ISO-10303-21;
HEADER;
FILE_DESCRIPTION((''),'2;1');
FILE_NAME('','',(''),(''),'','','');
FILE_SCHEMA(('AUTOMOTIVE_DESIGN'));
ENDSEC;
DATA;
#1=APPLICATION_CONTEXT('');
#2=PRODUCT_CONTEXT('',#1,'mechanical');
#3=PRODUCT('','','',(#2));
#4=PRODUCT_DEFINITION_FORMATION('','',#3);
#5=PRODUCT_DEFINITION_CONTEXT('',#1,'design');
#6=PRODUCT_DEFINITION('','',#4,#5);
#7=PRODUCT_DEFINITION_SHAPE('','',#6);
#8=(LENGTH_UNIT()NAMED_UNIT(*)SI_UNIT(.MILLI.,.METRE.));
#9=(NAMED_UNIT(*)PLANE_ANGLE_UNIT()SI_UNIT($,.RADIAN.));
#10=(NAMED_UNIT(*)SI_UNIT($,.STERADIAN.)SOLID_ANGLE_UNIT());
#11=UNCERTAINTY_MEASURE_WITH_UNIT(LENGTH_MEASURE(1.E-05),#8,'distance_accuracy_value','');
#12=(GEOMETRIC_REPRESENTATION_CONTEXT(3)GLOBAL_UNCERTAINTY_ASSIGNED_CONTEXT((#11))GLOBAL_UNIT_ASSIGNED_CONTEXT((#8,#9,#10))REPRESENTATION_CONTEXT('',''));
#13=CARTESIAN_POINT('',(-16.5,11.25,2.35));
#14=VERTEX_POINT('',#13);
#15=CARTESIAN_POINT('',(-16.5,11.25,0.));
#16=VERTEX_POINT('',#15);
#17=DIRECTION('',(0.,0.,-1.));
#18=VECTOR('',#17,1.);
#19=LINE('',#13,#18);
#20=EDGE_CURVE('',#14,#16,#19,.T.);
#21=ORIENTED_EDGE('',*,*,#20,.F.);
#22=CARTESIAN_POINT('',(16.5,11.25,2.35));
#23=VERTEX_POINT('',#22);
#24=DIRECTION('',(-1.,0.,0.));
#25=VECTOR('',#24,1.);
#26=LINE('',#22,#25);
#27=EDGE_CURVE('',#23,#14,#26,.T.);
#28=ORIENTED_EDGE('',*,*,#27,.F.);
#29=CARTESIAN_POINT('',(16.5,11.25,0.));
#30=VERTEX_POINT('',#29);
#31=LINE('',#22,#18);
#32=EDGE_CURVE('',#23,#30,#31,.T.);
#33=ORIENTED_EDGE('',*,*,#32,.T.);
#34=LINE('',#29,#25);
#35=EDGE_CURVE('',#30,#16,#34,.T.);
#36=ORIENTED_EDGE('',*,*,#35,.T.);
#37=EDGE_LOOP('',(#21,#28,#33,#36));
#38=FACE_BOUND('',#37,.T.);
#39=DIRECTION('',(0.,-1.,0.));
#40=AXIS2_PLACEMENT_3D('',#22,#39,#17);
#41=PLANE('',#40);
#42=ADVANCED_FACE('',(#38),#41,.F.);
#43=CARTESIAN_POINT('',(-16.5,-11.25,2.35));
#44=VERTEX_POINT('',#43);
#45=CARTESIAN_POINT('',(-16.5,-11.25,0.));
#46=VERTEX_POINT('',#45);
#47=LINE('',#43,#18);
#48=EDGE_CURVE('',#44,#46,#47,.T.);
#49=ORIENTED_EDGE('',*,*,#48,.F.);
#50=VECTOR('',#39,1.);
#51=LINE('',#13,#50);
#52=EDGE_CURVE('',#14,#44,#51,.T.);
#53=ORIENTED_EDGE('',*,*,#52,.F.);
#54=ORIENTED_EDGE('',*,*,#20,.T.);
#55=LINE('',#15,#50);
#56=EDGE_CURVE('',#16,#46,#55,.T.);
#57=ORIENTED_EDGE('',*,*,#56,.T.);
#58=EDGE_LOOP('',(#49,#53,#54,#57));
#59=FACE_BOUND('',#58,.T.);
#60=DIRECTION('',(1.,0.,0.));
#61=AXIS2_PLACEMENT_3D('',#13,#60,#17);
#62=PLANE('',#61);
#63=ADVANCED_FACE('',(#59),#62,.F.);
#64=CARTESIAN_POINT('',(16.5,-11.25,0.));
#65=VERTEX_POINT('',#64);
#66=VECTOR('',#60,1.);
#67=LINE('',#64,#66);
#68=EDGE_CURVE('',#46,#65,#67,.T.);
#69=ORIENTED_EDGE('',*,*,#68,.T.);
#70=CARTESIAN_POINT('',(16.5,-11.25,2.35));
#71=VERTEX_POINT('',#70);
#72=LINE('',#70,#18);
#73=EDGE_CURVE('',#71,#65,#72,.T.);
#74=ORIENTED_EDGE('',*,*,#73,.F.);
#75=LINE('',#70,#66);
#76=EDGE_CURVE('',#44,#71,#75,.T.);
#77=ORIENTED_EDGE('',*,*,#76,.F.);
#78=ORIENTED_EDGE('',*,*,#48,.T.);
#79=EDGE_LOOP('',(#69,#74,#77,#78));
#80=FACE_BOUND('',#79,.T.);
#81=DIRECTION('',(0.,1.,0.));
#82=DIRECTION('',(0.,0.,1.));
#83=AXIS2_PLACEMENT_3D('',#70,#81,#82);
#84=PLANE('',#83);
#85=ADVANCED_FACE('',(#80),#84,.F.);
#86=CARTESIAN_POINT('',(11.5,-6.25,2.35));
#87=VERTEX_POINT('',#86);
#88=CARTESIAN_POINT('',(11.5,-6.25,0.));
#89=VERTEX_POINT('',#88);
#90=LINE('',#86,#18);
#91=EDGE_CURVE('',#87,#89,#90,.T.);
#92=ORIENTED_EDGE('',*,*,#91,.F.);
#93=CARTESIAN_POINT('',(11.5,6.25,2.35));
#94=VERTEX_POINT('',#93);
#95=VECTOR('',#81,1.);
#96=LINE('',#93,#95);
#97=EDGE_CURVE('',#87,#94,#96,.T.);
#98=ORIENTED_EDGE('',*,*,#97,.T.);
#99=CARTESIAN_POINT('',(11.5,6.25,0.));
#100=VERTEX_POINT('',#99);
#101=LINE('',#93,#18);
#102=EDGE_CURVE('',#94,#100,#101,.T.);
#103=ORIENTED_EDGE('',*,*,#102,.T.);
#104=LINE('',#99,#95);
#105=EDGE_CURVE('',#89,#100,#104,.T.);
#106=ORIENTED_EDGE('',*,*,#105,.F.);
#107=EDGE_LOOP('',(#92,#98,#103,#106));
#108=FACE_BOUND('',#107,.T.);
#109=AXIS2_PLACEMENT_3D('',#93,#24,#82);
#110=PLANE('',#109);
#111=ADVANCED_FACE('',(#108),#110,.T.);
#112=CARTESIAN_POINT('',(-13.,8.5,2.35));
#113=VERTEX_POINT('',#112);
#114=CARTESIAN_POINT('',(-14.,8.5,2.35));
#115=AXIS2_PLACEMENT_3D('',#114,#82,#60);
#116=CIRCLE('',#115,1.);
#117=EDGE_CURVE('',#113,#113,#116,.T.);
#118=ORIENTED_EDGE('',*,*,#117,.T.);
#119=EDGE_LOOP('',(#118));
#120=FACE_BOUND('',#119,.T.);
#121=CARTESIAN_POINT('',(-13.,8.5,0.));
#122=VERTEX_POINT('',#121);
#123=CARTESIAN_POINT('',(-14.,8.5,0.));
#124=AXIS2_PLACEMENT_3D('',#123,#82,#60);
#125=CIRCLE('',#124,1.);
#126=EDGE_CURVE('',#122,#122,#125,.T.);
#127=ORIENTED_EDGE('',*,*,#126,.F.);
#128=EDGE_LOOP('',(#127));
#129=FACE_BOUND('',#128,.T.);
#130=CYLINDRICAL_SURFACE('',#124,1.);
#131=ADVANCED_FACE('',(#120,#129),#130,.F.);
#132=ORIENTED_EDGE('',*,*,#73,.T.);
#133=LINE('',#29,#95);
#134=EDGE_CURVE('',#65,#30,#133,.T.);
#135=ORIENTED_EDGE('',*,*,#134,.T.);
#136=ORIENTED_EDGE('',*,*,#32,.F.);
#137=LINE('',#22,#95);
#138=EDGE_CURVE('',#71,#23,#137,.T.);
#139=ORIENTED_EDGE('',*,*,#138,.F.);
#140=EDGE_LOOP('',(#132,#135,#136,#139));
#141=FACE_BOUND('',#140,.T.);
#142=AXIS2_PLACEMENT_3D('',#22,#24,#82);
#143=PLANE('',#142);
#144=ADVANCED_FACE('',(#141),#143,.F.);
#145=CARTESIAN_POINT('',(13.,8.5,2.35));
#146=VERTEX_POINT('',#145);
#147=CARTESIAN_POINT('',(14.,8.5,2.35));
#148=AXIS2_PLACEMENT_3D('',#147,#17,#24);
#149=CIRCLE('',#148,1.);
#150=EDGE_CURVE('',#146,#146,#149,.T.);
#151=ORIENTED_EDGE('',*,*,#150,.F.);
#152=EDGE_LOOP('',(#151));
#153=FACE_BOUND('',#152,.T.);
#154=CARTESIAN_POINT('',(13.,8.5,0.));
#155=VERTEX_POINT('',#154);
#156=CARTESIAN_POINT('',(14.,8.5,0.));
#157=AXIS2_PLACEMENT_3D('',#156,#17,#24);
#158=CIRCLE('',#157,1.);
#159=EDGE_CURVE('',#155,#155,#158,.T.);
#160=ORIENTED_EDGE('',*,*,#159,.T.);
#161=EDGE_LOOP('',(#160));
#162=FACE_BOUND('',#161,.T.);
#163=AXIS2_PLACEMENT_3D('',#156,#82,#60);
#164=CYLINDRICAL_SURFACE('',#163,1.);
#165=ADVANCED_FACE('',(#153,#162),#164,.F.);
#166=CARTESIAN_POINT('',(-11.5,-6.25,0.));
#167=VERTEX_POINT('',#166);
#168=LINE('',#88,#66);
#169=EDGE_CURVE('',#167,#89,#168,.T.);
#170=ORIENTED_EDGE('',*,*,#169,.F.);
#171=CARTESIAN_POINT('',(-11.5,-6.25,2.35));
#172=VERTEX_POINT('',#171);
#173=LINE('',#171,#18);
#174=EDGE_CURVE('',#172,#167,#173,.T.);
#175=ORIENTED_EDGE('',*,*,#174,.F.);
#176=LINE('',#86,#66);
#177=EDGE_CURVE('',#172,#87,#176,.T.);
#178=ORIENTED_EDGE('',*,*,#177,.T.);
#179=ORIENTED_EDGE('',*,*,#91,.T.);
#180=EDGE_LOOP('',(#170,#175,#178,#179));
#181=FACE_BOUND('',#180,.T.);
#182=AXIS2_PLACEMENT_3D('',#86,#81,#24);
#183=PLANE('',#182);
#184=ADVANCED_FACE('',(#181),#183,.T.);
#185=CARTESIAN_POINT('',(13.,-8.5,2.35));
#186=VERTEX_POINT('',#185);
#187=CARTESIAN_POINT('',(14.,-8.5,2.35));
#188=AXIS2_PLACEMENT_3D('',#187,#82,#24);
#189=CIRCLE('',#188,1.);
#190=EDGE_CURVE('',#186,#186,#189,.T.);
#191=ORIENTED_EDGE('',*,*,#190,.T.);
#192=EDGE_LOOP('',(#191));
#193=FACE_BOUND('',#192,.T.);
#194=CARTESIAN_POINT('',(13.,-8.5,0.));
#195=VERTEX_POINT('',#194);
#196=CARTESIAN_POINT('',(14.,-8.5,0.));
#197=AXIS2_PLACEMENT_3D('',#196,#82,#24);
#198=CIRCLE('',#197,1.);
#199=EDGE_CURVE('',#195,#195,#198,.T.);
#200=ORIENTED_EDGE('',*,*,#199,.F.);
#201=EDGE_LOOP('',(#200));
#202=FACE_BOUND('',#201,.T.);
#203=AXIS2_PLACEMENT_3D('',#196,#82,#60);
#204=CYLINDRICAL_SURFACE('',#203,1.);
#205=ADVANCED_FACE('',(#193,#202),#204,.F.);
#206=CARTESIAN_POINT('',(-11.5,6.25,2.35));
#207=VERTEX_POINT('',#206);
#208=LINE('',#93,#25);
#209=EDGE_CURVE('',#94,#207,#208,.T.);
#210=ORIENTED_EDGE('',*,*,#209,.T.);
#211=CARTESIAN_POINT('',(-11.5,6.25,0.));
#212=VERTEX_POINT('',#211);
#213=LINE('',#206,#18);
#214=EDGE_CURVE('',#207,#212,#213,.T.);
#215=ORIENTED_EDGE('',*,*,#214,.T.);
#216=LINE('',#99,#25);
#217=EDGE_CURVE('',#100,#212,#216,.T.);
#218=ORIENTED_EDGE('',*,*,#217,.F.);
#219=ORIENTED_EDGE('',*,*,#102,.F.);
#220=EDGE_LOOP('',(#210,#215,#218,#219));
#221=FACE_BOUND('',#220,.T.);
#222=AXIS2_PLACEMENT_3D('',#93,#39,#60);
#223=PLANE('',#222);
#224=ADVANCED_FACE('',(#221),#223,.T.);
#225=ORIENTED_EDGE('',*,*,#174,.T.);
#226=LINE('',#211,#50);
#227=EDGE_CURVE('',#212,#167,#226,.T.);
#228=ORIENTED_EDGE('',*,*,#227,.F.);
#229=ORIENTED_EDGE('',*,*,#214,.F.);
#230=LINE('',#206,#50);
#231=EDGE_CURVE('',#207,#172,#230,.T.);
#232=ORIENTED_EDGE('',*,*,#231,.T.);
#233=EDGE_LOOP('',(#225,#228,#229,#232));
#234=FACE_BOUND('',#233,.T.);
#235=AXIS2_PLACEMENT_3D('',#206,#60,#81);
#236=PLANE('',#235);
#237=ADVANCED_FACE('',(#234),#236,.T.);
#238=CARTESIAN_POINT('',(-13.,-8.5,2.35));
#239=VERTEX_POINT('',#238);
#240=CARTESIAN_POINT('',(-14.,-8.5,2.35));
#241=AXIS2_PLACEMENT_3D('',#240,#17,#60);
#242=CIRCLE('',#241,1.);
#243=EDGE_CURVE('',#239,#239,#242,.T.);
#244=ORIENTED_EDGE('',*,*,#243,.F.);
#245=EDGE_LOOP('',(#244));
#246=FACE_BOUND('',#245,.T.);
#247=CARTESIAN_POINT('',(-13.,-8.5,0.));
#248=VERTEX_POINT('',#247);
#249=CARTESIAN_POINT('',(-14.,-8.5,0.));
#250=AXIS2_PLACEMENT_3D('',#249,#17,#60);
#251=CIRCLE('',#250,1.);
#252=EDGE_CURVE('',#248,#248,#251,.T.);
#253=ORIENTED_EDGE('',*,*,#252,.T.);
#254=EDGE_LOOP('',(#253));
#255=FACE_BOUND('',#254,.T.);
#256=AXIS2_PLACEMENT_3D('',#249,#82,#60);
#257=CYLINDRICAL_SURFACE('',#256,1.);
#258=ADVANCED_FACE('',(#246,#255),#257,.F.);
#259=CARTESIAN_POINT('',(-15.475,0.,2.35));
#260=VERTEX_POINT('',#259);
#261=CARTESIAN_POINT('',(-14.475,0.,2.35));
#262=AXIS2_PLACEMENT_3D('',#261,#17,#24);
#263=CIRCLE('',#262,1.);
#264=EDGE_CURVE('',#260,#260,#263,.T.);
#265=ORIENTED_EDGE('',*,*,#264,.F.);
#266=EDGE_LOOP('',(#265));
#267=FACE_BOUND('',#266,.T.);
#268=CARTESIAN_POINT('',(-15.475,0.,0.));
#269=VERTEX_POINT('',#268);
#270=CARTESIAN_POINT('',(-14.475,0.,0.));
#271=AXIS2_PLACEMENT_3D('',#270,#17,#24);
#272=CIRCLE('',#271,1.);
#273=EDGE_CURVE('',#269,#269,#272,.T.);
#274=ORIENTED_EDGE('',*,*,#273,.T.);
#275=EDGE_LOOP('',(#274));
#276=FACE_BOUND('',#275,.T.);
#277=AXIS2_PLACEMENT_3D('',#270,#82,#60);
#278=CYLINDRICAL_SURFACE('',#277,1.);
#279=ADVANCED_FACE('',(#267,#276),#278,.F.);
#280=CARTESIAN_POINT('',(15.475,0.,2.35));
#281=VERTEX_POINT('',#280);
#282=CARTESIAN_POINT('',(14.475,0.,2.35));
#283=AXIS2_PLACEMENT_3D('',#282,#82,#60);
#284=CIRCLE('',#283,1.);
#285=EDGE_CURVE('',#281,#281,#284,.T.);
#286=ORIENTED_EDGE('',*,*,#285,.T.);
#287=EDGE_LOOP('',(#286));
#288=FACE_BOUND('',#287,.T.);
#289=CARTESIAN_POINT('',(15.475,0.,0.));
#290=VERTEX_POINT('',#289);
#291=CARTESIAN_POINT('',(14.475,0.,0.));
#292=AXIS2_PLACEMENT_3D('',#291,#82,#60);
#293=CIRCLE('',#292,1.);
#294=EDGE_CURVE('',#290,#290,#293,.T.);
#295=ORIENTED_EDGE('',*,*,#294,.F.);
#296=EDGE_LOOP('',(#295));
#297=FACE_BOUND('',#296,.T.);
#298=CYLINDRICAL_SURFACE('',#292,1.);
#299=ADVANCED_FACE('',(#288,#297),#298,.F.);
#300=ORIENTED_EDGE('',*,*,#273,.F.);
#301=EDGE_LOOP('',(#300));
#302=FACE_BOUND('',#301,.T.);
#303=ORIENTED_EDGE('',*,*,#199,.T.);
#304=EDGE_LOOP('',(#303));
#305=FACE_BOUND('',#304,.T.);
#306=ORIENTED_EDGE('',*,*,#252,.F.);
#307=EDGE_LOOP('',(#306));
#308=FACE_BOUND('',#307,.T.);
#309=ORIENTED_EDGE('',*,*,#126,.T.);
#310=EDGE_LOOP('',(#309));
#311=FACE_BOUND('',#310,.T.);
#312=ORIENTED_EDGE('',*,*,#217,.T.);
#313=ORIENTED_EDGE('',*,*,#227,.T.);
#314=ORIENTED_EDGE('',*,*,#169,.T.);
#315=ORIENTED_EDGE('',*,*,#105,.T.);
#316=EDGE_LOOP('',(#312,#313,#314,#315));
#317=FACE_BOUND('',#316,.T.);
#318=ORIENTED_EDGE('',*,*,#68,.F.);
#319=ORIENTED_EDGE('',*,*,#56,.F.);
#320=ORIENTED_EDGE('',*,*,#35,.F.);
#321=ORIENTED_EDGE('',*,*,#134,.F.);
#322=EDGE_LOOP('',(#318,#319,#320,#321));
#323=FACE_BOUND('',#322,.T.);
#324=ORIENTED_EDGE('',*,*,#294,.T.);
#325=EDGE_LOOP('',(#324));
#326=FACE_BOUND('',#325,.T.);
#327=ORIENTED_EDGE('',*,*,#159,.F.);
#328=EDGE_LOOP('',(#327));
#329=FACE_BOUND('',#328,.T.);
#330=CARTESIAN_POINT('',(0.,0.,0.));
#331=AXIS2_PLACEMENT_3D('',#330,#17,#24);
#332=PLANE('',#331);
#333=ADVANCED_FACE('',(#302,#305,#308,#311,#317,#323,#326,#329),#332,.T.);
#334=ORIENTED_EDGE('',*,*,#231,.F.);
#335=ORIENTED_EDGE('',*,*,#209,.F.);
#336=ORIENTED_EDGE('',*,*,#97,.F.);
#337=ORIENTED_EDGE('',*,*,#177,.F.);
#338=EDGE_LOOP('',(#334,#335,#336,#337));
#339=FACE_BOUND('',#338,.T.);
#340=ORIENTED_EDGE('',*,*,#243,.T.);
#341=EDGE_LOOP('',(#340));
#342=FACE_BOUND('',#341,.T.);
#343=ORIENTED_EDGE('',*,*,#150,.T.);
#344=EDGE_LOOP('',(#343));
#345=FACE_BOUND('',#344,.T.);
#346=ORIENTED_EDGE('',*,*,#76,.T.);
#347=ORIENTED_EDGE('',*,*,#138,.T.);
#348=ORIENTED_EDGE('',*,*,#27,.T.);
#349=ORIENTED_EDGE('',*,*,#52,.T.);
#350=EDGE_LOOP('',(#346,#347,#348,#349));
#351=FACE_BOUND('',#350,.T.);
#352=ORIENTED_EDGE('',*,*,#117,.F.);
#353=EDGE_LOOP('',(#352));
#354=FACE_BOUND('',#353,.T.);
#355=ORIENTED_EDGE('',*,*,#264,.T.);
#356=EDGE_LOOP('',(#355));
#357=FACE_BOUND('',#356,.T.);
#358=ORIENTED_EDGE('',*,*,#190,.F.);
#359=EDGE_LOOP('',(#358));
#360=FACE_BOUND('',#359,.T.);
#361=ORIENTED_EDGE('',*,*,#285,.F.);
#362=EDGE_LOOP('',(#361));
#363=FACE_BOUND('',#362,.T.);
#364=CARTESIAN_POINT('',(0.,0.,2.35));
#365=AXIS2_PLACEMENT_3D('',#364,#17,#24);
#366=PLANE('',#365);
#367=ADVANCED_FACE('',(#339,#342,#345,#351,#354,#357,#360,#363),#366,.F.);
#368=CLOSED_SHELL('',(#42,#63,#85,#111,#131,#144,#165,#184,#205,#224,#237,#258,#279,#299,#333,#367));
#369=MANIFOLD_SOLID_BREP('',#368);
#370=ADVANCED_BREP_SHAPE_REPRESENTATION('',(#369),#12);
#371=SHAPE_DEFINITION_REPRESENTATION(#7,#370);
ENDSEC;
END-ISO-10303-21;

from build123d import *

# Parameters (mm, degrees)
SCHIZZO1_W                   = 33
SCHIZZO1_H                   = 22.5
SCHIZZO1_W_2                 = 23
SCHIZZO1_H_2                 = 12.5
ESTRUSIONE_ESTRUSIONE1_DEPTH = 2.35
SCHIZZO2_R                   = 1
TAGLIO_ESTRUSIONE1_DEPTH     = 2.35
SPECCHIA2_COPY_1_SKETCH_R    = 1
SPECCHIA2_COPY_1_DEPTH       = 2.35
SCHIZZO3_R                   = 1
TAGLIO_ESTRUSIONE2_DEPTH     = 2.35


with BuildPart() as part:
    # Schizzo1 → Estrusione-Estrusione1 (new body)
    with BuildSketch(Plane.XY):
        Rectangle(SCHIZZO1_W, SCHIZZO1_H)
        Rectangle(SCHIZZO1_W_2, SCHIZZO1_H_2, mode=Mode.SUBTRACT)
    extrude(amount=ESTRUSIONE_ESTRUSIONE1_DEPTH)

    # Schizzo2 → Taglio-Estrusione1 (cut)
    with BuildSketch(Plane.XY.offset(2.35)):
        with Locations((-14, 8.5)):
            Circle(SCHIZZO2_R)
    taglio_estrusione1 = extrude(amount=-TAGLIO_ESTRUSIONE1_DEPTH, mode=Mode.SUBTRACT)

    # Specchia1: Taglio-Estrusione1 across plane
    add(taglio_estrusione1.mirror(Plane.ZX), mode=Mode.SUBTRACT)

    # Specchia2: Taglio-Estrusione1 across plane
    add(taglio_estrusione1.mirror(Plane(origin=(0, 0, 0), x_dir=(0, 0, 1), z_dir=(1, 0, 0))), mode=Mode.SUBTRACT)

    # Specchia2 copy 1 sketch → Specchia2 copy 1 (cut)
    with BuildSketch(Plane(origin=(0, 0, 2.35), x_dir=(-1, 0, 0), z_dir=(0, 0, 1))):
        with Locations((-14, 8.5)):
            Circle(SPECCHIA2_COPY_1_SKETCH_R)
    extrude(amount=-SPECCHIA2_COPY_1_DEPTH, mode=Mode.SUBTRACT)

    # Schizzo3 → Taglio-Estrusione2 (cut)
    with BuildSketch(Plane.XY.offset(2.35)):
        with Locations((14.475, 0)):
            Circle(SCHIZZO3_R)
    taglio_estrusione2 = extrude(amount=-TAGLIO_ESTRUSIONE2_DEPTH, mode=Mode.SUBTRACT)

    # Specchia3: Taglio-Estrusione2 across plane
    add(taglio_estrusione2.mirror(Plane(origin=(0, 0, 0), x_dir=(0, 0, 1), z_dir=(1, 0, 0))), mode=Mode.SUBTRACT)


solid = part.part
